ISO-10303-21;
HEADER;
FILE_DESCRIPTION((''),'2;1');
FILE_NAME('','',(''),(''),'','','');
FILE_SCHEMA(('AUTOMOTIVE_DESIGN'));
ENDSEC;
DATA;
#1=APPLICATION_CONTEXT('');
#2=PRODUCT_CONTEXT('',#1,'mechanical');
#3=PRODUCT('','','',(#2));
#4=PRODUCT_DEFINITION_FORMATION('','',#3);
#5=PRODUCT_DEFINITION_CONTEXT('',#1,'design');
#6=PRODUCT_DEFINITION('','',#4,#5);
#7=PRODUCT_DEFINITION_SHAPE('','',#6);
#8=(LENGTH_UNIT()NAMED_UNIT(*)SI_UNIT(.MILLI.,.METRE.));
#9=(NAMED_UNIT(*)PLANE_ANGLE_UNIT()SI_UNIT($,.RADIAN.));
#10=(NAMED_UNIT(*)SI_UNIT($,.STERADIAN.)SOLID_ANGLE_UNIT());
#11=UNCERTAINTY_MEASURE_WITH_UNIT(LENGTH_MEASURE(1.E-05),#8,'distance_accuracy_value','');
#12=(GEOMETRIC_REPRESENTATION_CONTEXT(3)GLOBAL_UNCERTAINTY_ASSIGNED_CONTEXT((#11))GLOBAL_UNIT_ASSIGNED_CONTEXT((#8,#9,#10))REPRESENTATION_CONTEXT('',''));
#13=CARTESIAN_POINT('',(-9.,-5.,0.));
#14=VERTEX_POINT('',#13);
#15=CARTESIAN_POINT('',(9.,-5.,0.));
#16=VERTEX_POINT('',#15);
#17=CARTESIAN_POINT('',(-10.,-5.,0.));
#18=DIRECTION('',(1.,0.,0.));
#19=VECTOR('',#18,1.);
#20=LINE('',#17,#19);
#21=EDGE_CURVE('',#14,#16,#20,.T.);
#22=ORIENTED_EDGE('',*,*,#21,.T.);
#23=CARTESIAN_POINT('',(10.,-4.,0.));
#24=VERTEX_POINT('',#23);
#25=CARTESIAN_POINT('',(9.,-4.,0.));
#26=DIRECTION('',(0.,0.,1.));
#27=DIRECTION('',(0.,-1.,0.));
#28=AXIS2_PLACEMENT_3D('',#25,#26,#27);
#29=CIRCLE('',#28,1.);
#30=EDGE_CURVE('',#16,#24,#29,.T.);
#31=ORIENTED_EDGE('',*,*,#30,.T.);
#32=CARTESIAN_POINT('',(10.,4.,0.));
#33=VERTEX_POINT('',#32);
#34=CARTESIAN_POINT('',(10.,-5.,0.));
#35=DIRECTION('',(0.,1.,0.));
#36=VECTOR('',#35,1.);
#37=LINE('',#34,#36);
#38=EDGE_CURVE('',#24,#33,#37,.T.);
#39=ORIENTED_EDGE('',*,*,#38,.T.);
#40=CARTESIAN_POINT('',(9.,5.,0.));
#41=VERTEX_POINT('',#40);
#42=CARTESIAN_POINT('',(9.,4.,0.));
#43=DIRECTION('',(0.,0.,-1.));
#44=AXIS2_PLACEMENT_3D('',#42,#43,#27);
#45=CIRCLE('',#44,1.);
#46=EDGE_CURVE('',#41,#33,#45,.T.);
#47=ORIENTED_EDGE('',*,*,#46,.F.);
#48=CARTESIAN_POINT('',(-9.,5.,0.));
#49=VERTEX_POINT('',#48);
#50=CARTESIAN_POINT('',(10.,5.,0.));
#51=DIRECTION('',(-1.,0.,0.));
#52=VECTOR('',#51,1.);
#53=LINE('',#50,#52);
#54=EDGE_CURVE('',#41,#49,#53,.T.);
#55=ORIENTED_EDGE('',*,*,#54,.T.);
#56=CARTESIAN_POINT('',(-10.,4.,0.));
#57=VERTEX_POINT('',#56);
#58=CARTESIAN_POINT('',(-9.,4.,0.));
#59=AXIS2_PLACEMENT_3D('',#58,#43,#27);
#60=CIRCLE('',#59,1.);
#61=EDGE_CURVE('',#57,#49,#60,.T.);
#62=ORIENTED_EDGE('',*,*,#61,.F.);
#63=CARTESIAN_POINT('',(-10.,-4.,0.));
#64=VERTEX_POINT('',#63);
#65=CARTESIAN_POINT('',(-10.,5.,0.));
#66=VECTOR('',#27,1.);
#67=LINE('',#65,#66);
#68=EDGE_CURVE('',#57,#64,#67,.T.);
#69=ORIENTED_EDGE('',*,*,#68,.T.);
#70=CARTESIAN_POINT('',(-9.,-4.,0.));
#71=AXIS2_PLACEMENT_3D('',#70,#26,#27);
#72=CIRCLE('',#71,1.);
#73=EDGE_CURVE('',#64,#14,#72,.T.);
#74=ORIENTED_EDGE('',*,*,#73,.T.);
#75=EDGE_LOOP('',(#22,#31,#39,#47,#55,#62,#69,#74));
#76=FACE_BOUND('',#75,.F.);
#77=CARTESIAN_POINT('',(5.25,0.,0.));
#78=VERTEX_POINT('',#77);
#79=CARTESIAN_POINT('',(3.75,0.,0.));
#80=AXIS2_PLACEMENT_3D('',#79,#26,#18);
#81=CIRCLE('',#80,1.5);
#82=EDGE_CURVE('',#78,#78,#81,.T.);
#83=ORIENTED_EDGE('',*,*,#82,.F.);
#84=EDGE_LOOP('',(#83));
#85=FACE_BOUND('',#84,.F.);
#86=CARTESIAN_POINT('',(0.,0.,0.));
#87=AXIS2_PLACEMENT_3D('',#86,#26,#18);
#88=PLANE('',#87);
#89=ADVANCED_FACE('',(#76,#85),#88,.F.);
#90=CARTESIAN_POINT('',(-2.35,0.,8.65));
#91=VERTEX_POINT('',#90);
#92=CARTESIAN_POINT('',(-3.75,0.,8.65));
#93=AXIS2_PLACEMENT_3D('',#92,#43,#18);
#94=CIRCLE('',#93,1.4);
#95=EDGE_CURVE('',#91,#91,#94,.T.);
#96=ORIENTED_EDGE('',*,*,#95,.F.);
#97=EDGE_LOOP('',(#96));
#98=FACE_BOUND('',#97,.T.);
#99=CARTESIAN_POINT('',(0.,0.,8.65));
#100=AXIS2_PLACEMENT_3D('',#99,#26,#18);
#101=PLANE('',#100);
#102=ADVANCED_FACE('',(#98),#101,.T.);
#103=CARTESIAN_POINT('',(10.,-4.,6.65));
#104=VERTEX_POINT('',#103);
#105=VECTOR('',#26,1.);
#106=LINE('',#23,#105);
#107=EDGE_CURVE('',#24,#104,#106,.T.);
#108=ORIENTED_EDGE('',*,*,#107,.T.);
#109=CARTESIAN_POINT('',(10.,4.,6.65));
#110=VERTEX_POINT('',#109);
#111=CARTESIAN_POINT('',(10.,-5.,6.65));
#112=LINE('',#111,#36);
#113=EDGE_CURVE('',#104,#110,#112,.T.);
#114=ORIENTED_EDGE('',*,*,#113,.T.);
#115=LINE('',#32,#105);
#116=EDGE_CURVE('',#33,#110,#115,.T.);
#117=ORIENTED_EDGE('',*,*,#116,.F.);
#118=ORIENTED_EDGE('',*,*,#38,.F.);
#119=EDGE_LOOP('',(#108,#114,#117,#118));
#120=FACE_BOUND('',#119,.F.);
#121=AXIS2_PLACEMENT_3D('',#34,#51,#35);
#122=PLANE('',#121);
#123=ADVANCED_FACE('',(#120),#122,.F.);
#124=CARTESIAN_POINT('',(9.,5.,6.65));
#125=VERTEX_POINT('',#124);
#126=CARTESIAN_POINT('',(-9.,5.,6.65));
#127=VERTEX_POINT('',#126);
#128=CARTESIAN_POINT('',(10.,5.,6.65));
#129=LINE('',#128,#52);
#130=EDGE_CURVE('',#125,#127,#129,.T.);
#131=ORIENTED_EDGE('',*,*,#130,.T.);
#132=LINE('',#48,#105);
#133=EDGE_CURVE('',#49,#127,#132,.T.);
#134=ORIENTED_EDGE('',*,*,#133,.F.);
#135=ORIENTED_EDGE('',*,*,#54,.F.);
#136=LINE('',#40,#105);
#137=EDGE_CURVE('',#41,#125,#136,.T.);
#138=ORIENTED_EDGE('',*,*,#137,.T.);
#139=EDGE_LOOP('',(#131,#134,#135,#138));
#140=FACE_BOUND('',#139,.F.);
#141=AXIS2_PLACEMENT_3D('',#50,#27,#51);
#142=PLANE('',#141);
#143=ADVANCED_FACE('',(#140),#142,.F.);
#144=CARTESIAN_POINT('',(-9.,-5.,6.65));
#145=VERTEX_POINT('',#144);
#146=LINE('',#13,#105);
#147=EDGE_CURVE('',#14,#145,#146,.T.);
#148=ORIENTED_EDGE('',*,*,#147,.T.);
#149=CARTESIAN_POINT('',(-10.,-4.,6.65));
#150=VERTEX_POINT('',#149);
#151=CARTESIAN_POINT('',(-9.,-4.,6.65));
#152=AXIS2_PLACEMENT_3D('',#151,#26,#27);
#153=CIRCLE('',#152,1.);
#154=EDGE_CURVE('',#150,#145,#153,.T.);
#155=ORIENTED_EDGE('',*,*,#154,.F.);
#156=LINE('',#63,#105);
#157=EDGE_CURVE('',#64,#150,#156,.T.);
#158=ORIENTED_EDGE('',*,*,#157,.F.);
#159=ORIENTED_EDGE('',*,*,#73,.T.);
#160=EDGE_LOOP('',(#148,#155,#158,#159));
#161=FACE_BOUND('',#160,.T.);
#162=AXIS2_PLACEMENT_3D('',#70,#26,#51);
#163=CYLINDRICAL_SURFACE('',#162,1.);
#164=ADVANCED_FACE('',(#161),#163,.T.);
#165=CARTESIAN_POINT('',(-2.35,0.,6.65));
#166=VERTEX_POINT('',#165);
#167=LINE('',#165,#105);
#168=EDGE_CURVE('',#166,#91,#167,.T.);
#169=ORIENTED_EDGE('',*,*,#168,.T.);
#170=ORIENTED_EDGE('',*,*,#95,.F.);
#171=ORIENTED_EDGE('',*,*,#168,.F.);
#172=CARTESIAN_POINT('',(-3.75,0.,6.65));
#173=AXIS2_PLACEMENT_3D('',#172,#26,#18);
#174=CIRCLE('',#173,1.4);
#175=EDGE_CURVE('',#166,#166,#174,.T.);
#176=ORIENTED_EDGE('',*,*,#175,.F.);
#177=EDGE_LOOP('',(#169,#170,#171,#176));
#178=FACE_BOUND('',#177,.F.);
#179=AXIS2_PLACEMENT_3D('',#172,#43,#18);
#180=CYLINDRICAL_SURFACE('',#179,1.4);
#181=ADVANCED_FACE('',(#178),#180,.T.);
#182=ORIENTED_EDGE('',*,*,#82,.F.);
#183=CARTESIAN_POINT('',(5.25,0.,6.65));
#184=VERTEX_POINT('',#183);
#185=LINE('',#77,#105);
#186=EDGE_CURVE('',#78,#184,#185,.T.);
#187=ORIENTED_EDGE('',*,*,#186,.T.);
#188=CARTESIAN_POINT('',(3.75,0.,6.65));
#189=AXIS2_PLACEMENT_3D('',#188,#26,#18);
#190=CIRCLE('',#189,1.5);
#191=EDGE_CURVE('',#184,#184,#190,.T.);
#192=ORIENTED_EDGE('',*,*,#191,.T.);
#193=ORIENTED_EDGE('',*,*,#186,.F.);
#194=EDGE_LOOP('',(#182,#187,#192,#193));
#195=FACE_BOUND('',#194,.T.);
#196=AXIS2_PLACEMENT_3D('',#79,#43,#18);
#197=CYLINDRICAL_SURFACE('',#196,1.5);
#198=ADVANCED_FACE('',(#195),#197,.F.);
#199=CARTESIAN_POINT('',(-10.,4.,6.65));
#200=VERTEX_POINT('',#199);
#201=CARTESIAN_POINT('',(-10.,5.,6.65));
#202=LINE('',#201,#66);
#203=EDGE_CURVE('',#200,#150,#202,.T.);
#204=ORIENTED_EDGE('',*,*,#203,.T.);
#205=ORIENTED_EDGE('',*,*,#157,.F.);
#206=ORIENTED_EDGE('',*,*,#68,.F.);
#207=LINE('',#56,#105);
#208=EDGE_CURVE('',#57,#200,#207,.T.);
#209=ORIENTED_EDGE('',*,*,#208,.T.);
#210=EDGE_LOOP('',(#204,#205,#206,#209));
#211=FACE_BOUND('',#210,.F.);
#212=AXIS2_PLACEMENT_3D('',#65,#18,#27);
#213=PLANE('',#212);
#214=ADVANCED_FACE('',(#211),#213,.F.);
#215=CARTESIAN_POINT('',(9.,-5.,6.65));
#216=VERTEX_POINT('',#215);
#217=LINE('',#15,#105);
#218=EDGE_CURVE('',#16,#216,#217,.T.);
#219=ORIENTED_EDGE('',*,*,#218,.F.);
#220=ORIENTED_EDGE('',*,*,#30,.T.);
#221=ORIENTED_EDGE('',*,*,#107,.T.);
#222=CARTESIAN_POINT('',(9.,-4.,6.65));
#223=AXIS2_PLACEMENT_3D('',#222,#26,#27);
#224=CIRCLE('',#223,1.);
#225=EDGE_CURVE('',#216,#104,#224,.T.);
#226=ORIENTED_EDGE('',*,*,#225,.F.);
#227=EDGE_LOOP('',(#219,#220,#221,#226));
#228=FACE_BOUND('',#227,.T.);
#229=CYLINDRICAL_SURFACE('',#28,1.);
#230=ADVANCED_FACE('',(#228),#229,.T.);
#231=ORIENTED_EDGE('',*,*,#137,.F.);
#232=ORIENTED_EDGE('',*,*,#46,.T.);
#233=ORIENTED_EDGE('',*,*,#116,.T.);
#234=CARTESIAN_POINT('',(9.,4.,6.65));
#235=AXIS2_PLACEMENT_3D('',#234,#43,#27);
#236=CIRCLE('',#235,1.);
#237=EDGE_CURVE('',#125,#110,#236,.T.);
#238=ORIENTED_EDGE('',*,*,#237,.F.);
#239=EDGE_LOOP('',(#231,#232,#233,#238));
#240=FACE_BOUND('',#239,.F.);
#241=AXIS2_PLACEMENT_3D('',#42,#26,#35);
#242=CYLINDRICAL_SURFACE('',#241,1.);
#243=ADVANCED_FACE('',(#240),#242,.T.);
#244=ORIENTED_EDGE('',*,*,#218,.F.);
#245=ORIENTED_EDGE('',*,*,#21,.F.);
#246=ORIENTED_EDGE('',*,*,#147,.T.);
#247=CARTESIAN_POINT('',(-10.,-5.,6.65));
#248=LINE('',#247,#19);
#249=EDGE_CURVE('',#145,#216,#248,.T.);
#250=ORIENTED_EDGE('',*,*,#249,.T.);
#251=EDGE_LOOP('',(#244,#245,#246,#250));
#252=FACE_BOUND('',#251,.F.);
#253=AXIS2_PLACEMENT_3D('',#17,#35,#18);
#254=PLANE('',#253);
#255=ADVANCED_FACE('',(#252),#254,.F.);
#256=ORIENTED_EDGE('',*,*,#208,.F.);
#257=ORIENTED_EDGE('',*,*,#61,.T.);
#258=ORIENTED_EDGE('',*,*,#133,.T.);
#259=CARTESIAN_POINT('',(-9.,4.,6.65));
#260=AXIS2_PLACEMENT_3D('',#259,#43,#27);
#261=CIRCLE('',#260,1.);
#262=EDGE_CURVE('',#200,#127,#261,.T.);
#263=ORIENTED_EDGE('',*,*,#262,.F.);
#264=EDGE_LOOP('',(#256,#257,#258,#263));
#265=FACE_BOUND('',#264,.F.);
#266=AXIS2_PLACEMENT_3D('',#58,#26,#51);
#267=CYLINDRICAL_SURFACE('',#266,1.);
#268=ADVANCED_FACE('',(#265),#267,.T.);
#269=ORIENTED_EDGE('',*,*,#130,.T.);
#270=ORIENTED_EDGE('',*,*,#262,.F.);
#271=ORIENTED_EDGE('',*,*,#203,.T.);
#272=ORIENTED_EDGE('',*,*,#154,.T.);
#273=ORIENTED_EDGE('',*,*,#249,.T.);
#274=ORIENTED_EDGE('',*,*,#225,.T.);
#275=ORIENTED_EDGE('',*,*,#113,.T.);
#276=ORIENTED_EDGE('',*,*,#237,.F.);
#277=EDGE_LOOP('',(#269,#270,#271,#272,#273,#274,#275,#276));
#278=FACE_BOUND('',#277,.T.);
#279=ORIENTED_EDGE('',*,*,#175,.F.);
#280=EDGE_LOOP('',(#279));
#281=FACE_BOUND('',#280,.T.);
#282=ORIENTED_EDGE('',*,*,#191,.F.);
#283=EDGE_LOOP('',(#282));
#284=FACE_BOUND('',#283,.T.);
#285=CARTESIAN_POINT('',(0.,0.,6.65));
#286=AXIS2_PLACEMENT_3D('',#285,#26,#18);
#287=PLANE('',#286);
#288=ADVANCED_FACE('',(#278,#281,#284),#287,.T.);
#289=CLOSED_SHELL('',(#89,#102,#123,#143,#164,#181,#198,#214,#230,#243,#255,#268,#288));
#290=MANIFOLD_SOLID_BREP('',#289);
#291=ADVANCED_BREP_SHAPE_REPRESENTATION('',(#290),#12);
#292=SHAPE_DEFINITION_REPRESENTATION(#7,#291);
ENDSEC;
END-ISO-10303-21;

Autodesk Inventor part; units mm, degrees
ref_plane "YZ Plane" through (0, 0, 0) normal (1, 0, 0) x (0, 1, 0)
ref_plane "XZ Plane" through (0, 0, 0) normal (0, 1, 0) x (-1, 0, 0)
ref_plane "XY Plane" through (0, 0, 0) normal (0, 0, 1) x (1, 0, 0)
sketch "Sketch1" plane through (0, 0, 0) normal (0, 0, 1) x (1, 0, 0)
  line L0 (-10, -5) -> (10, -5)
  line L1 (10, -5) -> (10, 5)
  line L2 (10, 5) -> (-10, 5)
  line L3 (-10, 5) -> (-10, -5)
  line L4 (-10, -5) -> (10, 5) construction
  line L5 (10, -5) -> (-10, 5) construction
  line L6 (-14, 0) -> (14, 0) construction
  circle A0 centre (3.75, 0) radius 1.5
  point P0 (0, 0)
  dimension "d0" = 20
  dimension "d1" = 10
  dimension "d2" = 3
  dimension "d3" = 3.75
extrude "Extrusion1" add sketch "Sketch1" along normal blind 6.65
sketch "Sketch2" plane through (0, 0, 6.65) normal (0, 0, 1) x (1, 0, 0)
  line L0 (-14, 0) -> (14, 0) projected
  circle A0 centre (-3.75, 0) radius 1.4
  point P0 (0, 0)
  dimension "d6" = 2.8
  dimension "d7" = 3.75
extrude "Extrusion2" add sketch "Sketch2" along normal blind 2
fillet "Fillet2" radius 1 4 edges at (10, -5, 3.325) (10, 5, 3.325) (-10, -5, 3.325) (-10, 5, 3.325)
properties part number "PWR_PCBA_HeatSink"
